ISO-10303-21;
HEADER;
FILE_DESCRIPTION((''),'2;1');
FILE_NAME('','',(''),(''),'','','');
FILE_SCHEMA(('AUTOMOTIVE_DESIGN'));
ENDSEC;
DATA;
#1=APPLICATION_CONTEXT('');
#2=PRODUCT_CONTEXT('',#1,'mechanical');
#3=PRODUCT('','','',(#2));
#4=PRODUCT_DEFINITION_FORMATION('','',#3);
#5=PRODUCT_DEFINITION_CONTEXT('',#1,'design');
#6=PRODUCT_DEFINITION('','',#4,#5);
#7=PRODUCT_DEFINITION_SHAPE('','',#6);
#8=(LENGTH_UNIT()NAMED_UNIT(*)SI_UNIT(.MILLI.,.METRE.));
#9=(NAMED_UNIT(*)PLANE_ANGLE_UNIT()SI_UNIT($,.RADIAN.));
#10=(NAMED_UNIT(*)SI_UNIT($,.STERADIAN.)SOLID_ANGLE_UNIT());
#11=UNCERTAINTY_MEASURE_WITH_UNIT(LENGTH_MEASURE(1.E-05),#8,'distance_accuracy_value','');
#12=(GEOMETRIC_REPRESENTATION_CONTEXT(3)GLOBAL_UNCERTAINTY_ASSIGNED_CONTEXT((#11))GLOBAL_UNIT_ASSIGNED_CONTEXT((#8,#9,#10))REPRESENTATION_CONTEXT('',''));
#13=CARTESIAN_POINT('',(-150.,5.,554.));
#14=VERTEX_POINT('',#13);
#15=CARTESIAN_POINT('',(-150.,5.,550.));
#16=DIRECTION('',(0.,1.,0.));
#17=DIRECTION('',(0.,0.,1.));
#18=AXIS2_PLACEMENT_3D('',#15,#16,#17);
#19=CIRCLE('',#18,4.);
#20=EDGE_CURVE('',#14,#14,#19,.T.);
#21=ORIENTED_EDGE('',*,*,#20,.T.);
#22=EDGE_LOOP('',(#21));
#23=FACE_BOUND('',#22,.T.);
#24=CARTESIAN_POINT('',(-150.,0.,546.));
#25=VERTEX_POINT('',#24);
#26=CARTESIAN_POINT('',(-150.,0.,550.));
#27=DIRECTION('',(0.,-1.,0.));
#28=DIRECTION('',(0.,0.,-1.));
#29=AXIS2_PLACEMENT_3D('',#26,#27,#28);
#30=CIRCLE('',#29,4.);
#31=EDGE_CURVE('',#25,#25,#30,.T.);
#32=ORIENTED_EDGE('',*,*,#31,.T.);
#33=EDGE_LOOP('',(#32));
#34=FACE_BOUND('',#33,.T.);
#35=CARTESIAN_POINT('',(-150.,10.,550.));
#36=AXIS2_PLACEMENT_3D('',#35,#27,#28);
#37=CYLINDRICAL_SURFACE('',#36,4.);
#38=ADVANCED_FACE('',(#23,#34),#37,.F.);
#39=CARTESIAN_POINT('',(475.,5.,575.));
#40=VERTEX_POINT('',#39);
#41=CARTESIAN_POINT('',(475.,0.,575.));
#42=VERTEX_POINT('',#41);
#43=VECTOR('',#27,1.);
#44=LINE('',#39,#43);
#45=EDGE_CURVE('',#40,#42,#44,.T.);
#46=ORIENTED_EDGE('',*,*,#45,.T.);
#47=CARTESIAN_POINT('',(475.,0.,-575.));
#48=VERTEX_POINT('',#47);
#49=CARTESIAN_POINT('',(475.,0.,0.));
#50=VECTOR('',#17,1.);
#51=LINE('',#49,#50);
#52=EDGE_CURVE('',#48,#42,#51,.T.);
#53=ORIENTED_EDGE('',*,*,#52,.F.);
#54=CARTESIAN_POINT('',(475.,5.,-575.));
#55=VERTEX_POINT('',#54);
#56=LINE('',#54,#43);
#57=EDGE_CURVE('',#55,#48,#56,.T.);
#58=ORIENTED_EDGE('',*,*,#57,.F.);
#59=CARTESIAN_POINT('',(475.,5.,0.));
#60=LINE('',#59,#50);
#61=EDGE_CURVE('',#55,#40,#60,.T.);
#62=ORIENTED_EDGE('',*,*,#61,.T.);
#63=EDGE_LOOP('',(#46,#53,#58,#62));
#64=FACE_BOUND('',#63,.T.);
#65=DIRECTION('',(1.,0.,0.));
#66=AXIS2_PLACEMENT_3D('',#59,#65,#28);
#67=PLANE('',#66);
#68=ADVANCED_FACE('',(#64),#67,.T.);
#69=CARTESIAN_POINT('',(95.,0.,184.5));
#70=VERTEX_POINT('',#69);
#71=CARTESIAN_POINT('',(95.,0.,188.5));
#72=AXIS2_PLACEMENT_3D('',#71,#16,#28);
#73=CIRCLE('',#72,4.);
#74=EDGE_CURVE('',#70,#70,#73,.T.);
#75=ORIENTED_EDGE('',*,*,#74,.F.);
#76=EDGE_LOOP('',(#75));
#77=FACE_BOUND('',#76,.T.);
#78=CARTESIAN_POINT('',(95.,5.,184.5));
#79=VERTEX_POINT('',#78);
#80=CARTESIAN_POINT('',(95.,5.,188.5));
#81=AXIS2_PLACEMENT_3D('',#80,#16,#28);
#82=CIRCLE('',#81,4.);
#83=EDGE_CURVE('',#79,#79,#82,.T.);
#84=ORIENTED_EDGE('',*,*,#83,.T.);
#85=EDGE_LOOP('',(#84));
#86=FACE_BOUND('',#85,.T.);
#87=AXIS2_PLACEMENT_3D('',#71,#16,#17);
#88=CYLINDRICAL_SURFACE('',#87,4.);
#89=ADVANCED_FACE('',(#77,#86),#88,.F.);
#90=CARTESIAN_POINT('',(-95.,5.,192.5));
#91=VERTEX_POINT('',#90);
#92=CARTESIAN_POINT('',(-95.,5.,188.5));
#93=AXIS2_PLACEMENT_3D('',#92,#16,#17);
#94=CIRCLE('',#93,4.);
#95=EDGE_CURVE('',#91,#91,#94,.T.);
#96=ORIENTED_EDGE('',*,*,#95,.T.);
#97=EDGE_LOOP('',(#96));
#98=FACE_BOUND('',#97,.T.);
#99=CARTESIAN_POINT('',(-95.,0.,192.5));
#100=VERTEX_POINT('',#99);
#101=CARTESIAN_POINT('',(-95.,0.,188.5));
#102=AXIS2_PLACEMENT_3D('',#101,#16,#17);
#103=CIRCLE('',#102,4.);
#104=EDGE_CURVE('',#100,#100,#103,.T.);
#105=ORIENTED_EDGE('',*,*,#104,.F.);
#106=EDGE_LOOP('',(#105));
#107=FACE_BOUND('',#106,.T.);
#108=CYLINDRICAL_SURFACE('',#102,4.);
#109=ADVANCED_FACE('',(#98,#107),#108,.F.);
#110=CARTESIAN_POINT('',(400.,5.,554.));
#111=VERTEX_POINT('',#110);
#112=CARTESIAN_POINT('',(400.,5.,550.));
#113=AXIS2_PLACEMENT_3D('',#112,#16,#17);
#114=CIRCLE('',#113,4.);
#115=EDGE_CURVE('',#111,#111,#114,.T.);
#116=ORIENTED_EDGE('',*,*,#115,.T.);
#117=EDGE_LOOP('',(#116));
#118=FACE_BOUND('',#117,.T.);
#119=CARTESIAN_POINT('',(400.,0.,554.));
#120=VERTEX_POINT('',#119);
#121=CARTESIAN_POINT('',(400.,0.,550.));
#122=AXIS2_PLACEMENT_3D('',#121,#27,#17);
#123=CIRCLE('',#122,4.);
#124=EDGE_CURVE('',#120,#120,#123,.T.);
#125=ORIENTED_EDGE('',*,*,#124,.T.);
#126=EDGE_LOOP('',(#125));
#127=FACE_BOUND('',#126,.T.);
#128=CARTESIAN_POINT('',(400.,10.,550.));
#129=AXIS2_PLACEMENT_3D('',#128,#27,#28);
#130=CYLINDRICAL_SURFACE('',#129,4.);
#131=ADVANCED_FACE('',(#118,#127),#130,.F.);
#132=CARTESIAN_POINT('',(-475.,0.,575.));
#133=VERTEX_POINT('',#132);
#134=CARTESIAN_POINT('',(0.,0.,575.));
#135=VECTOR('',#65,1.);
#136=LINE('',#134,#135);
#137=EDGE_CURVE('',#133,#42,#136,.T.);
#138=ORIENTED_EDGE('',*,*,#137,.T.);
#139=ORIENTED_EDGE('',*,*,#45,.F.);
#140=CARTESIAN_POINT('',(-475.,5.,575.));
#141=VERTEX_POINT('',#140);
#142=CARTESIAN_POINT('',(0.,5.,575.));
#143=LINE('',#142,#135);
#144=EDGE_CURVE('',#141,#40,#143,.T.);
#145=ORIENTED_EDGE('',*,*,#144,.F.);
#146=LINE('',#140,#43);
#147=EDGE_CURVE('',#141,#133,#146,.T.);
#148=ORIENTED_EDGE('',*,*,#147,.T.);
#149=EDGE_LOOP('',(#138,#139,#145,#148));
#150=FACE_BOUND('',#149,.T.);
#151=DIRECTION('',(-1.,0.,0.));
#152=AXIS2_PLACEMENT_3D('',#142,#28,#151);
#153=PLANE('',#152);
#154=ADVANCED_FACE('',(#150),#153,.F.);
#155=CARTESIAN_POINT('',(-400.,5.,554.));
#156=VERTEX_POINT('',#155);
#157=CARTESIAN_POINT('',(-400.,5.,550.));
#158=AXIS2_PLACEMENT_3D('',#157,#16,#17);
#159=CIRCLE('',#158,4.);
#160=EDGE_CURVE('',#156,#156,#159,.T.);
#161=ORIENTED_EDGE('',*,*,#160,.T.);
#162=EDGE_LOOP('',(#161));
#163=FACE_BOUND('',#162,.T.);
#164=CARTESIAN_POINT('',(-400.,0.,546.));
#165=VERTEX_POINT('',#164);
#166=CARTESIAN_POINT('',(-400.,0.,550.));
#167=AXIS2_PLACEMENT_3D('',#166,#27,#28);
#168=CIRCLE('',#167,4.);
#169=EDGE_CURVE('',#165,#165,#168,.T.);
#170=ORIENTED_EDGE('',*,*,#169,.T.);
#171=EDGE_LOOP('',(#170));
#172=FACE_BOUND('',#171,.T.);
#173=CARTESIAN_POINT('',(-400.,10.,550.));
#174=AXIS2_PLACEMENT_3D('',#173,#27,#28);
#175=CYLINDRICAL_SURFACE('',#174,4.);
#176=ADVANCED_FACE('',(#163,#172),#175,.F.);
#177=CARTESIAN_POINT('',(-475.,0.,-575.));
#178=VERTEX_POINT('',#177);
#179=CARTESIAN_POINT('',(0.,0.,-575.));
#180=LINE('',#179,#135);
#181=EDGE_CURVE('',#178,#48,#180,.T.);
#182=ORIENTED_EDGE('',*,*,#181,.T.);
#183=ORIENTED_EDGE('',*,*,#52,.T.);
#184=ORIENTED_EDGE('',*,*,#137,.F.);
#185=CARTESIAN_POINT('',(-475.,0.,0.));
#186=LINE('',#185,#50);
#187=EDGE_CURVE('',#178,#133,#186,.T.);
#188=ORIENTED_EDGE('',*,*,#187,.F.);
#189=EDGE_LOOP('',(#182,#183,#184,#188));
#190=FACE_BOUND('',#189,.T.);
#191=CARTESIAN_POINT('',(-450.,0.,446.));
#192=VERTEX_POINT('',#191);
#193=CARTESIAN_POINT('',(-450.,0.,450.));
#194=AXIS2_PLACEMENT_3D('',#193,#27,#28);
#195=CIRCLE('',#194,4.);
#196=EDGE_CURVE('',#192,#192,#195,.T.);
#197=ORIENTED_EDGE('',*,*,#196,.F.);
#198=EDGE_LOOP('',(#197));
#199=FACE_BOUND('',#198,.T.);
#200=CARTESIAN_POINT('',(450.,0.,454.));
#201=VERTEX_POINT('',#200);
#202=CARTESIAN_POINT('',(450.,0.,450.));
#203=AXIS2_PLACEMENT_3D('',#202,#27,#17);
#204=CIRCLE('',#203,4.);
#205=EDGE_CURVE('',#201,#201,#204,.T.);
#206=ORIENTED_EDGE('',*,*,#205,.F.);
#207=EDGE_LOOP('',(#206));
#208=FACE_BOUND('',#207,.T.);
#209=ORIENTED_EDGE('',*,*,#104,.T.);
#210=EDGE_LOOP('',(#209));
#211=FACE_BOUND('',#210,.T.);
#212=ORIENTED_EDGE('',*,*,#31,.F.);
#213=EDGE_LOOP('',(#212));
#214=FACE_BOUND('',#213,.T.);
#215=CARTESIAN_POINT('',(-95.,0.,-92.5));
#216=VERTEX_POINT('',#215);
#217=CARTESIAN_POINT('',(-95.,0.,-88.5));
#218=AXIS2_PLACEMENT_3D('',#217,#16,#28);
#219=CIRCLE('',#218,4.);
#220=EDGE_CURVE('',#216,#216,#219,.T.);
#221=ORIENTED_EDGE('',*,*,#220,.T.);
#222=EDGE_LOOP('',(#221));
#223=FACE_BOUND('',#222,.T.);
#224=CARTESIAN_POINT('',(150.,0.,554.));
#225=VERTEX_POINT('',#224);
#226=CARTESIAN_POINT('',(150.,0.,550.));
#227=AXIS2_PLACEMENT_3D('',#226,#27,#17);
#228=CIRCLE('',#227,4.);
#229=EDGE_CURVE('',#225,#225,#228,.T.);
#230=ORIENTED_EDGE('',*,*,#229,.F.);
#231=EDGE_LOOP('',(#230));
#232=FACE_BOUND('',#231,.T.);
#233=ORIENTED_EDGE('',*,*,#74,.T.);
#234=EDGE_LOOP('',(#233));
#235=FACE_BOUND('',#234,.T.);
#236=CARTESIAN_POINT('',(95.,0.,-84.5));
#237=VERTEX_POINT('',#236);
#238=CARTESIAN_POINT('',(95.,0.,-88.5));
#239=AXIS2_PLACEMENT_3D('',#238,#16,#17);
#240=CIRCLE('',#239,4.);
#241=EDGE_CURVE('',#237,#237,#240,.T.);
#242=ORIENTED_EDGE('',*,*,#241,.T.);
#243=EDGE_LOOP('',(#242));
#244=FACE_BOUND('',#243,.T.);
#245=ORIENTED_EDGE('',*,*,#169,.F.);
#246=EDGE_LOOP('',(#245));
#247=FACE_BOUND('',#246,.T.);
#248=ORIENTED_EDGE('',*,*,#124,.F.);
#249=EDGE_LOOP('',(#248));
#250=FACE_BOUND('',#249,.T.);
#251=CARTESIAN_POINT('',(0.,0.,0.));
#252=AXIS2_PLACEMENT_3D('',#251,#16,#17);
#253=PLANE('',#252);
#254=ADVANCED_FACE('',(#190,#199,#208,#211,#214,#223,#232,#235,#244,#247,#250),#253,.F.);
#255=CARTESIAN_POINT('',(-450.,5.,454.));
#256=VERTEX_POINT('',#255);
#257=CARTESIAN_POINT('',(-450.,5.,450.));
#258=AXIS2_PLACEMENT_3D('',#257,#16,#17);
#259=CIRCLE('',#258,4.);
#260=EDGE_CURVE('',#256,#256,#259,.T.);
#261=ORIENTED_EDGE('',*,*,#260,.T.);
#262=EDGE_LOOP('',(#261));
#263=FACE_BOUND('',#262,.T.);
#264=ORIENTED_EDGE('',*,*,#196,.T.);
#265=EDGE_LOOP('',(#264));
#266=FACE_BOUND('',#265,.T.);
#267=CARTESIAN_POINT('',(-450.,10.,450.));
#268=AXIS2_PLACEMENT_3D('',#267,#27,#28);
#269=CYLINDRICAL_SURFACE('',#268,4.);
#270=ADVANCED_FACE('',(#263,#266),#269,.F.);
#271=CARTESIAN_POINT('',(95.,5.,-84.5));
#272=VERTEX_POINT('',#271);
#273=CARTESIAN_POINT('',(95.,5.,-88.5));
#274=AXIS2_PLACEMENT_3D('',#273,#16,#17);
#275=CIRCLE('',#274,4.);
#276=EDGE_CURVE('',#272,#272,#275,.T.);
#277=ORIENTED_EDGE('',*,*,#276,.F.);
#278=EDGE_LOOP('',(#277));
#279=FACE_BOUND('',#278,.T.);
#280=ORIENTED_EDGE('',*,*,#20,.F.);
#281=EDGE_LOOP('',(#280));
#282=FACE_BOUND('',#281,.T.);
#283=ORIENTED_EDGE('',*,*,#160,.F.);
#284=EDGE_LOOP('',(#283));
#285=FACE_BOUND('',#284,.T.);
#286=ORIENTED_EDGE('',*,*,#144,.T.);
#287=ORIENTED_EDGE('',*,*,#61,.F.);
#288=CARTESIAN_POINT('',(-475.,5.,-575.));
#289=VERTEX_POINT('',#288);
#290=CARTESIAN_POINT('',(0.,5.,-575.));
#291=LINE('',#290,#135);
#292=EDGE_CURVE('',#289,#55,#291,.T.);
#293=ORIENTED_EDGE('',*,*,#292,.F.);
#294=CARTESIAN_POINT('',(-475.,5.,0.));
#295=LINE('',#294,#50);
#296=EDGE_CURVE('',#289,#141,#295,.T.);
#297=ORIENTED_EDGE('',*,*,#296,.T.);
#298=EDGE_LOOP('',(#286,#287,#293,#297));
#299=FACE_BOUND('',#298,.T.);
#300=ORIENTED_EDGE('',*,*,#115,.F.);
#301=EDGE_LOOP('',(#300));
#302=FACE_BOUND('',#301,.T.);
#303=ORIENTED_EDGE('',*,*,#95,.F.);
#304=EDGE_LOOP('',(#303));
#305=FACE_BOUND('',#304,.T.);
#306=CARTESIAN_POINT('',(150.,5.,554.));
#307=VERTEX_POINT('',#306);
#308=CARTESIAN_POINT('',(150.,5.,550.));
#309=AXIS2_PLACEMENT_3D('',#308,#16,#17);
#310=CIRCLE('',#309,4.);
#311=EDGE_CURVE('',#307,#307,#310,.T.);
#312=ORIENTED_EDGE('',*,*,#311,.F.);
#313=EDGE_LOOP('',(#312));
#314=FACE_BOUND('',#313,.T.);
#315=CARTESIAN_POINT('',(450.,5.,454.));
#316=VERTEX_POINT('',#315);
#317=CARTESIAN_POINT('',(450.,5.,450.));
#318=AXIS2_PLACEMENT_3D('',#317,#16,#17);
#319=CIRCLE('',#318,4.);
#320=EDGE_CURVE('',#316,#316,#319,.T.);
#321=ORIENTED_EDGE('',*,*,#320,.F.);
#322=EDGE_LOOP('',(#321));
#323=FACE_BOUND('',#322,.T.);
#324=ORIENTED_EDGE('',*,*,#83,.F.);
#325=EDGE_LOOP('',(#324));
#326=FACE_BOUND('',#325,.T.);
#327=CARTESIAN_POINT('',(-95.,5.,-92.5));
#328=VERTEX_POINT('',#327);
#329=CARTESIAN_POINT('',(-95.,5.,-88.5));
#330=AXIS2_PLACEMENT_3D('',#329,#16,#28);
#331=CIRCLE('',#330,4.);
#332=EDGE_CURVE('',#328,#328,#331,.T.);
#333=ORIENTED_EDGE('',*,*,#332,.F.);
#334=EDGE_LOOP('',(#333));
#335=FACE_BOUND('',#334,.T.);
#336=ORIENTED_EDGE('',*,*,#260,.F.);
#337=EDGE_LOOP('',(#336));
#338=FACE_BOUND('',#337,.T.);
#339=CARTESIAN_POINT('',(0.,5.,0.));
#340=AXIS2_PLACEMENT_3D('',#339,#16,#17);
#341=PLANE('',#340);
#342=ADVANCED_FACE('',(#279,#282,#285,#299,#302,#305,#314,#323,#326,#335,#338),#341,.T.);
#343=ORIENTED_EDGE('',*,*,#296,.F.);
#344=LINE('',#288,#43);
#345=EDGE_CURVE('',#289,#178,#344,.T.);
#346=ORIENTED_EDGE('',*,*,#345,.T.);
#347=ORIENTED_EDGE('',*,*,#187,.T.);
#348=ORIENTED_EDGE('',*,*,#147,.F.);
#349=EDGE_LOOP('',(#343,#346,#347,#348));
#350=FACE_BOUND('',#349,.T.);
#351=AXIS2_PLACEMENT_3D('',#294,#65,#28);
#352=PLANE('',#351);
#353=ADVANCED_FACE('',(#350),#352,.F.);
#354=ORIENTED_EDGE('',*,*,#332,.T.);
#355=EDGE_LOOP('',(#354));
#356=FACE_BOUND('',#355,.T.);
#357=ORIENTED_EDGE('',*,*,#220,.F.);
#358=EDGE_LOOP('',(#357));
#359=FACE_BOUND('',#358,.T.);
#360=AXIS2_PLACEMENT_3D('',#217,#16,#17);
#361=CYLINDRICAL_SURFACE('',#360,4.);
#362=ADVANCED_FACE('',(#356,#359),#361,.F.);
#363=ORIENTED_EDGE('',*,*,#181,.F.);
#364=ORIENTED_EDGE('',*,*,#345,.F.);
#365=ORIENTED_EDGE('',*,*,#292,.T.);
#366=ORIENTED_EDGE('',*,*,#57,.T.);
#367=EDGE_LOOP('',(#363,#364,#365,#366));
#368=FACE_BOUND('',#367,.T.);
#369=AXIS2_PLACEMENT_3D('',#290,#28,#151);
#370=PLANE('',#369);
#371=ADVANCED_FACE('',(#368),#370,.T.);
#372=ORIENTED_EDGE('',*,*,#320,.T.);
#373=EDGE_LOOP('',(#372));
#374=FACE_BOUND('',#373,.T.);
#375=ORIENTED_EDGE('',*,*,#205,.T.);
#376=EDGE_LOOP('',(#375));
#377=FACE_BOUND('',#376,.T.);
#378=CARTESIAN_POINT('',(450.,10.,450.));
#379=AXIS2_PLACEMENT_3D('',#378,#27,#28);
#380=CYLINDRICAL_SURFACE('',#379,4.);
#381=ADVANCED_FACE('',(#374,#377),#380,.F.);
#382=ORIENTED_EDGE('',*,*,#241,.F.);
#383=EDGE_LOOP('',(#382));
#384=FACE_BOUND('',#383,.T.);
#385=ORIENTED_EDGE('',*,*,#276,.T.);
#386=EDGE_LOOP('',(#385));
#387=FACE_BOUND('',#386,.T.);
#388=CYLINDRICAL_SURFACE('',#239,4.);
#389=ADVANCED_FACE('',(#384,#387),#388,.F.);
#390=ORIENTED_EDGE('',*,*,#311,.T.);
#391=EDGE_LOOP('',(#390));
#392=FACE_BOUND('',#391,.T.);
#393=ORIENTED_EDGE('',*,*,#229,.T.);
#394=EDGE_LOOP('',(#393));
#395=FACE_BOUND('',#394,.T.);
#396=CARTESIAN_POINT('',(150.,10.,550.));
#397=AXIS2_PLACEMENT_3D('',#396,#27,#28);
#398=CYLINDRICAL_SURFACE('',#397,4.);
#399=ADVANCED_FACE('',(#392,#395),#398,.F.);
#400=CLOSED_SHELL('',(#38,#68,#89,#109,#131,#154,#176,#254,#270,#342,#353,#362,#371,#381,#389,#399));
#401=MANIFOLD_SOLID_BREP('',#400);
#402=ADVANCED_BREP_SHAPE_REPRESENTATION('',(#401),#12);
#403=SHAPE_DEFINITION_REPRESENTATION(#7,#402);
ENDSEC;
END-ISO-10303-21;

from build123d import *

# Parameters (mm, degrees)
SKETCH1_W           = 950
SKETCH1_H           = 1150
BOSS_EXTRUDE1_DEPTH = 5
SKETCH2_R           = 4
CUT_EXTRUDE1_DEPTH  = 746.838454359
SKETCH3_R           = 4
CUT_EXTRUDE2_DEPTH  = 10


with BuildPart() as part:
    # Sketch1 → Boss-Extrude1 (new body)
    with BuildSketch(Plane(origin=(0, 0, 0), x_dir=(1, 0, 0), z_dir=(0, 1, 0))):
        Rectangle(SKETCH1_W, SKETCH1_H)
    extrude(amount=BOSS_EXTRUDE1_DEPTH)

    # Sketch2 → Cut-Extrude1 (cut, through all)
    with BuildSketch(Plane(origin=(0, 5, 0), x_dir=(1, 0, 0), z_dir=(0, 1, 0))):
        with Locations(Location((95, 88.5, 0), (0, 0, 270))):
            Circle(SKETCH2_R)
        with Locations(Location((-95, 88.5, 0), (0, 0, 90))):
            Circle(SKETCH2_R)
        with Locations(Location((95, -188.5, 0), (0, 0, 90))):
            Circle(SKETCH2_R)
        with Locations(Location((-95, -188.5, 0), (0, 0, 270))):
            Circle(SKETCH2_R)
    extrude(amount=-CUT_EXTRUDE1_DEPTH, mode=Mode.SUBTRACT)

    # Sketch3 → Cut-Extrude2 (cut)
    with BuildSketch(Plane.XZ):
        with Locations(Location((-400, 550, 0), (0, 0, 270))):
            Circle(SKETCH3_R)
        with Locations(Location((-450, 450, 0), (0, 0, 270))):
            Circle(SKETCH3_R)
        with Locations(Location((-150, 550, 0), (0, 0, 270))):
            Circle(SKETCH3_R)
        with Locations(Location((450, 450, 0), (0, 0, 90))):
            Circle(SKETCH3_R)
        with Locations(Location((150, 550, 0), (0, 0, 90))):
            Circle(SKETCH3_R)
        with Locations(Location((400, 550, 0), (0, 0, 90))):
            Circle(SKETCH3_R)
    extrude(amount=-CUT_EXTRUDE2_DEPTH, mode=Mode.SUBTRACT)


solid = part.part
